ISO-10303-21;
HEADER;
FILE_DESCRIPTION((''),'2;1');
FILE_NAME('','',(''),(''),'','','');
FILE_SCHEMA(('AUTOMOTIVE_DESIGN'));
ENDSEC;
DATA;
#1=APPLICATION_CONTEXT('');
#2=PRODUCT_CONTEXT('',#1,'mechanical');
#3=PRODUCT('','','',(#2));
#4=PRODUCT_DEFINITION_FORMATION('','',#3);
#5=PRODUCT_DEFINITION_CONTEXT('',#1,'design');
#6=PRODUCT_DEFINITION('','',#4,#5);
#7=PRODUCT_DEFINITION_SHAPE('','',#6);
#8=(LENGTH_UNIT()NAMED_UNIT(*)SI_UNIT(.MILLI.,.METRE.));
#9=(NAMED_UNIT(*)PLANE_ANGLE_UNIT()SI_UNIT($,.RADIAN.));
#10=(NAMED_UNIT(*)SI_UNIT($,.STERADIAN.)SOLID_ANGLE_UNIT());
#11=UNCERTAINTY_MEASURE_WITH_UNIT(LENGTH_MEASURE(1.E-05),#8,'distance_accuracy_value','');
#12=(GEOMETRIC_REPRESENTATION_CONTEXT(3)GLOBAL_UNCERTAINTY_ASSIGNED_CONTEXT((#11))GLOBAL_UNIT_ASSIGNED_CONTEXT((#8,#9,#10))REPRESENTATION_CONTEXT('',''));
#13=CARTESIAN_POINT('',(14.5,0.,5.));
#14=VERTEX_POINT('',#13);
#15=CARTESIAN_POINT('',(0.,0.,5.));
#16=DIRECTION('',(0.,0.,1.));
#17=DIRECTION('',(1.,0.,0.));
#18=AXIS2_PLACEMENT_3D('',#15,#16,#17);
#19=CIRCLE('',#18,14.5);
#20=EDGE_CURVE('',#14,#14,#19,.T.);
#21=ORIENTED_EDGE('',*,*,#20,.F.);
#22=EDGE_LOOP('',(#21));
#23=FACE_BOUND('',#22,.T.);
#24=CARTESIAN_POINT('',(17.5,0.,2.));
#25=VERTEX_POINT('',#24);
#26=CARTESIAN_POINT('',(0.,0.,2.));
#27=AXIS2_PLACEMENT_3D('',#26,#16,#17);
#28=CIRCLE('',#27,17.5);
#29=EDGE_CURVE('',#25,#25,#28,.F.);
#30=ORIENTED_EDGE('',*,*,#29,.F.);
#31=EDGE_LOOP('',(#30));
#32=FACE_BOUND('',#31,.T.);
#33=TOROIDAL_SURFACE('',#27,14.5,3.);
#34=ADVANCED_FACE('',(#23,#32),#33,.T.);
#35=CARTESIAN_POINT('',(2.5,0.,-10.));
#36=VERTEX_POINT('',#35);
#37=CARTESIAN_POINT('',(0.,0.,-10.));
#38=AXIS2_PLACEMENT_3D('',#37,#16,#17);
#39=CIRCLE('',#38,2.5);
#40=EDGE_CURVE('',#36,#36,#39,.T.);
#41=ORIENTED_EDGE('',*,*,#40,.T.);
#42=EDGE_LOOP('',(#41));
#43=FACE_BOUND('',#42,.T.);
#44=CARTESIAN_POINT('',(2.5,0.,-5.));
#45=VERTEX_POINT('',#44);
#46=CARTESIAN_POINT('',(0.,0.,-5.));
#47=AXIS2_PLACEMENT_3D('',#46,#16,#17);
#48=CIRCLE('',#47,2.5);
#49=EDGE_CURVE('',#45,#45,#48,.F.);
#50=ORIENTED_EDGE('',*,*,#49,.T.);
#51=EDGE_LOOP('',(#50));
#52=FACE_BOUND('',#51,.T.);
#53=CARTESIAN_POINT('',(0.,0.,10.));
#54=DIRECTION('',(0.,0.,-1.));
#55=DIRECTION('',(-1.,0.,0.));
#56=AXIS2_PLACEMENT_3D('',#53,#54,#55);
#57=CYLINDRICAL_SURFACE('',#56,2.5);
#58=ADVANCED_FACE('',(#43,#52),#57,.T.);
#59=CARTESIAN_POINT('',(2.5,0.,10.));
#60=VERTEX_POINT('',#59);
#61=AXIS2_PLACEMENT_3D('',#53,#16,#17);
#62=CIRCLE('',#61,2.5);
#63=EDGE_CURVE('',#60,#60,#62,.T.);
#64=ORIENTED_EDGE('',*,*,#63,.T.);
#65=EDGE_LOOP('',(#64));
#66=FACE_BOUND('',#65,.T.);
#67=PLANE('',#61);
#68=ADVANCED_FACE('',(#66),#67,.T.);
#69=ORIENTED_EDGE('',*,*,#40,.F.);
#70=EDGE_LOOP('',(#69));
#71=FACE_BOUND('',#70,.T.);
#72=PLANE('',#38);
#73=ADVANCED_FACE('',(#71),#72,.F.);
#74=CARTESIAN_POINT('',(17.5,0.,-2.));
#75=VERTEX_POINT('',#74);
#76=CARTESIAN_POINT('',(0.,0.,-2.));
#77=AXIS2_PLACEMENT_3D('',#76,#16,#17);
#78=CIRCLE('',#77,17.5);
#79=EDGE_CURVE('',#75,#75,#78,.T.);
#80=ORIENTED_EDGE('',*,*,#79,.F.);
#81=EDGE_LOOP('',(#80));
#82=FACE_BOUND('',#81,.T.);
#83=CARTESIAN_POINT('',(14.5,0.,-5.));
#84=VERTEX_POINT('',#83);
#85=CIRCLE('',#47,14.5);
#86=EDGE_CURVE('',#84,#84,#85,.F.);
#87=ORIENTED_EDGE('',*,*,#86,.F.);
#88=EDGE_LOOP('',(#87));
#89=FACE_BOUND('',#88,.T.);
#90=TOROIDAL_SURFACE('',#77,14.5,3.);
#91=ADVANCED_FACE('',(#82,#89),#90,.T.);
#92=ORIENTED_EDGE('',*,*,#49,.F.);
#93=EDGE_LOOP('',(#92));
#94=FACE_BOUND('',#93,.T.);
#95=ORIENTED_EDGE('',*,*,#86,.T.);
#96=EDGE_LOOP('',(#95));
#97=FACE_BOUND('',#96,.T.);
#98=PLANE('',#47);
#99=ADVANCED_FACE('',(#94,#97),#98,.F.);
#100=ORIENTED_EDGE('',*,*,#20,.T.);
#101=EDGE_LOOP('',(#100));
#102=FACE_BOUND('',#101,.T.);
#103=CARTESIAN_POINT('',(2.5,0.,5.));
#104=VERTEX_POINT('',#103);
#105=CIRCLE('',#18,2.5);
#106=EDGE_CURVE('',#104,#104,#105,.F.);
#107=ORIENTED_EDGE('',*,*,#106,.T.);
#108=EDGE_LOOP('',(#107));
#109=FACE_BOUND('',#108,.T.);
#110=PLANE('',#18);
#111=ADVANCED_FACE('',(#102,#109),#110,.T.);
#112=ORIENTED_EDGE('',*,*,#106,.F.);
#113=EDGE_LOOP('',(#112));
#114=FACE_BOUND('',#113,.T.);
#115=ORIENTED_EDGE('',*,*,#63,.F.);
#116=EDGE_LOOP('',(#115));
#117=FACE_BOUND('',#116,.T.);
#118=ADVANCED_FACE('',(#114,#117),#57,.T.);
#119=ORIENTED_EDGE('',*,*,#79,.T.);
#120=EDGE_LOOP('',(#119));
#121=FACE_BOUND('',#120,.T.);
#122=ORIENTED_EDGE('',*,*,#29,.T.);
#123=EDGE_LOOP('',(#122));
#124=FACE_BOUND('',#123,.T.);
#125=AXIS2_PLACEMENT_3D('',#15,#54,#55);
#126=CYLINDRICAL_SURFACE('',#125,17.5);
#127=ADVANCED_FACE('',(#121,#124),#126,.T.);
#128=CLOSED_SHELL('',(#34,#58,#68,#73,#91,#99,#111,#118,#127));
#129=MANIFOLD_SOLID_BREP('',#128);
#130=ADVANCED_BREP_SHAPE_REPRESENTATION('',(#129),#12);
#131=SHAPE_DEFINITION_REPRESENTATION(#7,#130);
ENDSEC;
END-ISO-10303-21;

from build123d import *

# Parameters (mm, degrees)
SKETCH1_R           = 17.5
BOSS_EXTRUDE1_DEPTH = 5
FILLET1_R           = 3
SKETCH2_R           = 2.5
BOSS_EXTRUDE2_DEPTH = 10


with BuildPart() as part:
    # Sketch1 → Boss-Extrude1 (new, symmetric)
    with BuildSketch(Plane.XY):
        Circle(SKETCH1_R)
    extrude(amount=BOSS_EXTRUDE1_DEPTH, both=True)

    # Fillet1
    fillet1_edges = [part.edges().sort_by_distance(p)[0] for p in [
        (-17.5, 0, -5),
        (-17.5, 0, 5),
    ]]
    fillet(fillet1_edges, radius=FILLET1_R)

    # Sketch2 → Boss-Extrude2 (add, symmetric)
    with BuildSketch(Plane.XY):
        Circle(SKETCH2_R)
    extrude(amount=BOSS_EXTRUDE2_DEPTH, both=True)


solid = part.part
